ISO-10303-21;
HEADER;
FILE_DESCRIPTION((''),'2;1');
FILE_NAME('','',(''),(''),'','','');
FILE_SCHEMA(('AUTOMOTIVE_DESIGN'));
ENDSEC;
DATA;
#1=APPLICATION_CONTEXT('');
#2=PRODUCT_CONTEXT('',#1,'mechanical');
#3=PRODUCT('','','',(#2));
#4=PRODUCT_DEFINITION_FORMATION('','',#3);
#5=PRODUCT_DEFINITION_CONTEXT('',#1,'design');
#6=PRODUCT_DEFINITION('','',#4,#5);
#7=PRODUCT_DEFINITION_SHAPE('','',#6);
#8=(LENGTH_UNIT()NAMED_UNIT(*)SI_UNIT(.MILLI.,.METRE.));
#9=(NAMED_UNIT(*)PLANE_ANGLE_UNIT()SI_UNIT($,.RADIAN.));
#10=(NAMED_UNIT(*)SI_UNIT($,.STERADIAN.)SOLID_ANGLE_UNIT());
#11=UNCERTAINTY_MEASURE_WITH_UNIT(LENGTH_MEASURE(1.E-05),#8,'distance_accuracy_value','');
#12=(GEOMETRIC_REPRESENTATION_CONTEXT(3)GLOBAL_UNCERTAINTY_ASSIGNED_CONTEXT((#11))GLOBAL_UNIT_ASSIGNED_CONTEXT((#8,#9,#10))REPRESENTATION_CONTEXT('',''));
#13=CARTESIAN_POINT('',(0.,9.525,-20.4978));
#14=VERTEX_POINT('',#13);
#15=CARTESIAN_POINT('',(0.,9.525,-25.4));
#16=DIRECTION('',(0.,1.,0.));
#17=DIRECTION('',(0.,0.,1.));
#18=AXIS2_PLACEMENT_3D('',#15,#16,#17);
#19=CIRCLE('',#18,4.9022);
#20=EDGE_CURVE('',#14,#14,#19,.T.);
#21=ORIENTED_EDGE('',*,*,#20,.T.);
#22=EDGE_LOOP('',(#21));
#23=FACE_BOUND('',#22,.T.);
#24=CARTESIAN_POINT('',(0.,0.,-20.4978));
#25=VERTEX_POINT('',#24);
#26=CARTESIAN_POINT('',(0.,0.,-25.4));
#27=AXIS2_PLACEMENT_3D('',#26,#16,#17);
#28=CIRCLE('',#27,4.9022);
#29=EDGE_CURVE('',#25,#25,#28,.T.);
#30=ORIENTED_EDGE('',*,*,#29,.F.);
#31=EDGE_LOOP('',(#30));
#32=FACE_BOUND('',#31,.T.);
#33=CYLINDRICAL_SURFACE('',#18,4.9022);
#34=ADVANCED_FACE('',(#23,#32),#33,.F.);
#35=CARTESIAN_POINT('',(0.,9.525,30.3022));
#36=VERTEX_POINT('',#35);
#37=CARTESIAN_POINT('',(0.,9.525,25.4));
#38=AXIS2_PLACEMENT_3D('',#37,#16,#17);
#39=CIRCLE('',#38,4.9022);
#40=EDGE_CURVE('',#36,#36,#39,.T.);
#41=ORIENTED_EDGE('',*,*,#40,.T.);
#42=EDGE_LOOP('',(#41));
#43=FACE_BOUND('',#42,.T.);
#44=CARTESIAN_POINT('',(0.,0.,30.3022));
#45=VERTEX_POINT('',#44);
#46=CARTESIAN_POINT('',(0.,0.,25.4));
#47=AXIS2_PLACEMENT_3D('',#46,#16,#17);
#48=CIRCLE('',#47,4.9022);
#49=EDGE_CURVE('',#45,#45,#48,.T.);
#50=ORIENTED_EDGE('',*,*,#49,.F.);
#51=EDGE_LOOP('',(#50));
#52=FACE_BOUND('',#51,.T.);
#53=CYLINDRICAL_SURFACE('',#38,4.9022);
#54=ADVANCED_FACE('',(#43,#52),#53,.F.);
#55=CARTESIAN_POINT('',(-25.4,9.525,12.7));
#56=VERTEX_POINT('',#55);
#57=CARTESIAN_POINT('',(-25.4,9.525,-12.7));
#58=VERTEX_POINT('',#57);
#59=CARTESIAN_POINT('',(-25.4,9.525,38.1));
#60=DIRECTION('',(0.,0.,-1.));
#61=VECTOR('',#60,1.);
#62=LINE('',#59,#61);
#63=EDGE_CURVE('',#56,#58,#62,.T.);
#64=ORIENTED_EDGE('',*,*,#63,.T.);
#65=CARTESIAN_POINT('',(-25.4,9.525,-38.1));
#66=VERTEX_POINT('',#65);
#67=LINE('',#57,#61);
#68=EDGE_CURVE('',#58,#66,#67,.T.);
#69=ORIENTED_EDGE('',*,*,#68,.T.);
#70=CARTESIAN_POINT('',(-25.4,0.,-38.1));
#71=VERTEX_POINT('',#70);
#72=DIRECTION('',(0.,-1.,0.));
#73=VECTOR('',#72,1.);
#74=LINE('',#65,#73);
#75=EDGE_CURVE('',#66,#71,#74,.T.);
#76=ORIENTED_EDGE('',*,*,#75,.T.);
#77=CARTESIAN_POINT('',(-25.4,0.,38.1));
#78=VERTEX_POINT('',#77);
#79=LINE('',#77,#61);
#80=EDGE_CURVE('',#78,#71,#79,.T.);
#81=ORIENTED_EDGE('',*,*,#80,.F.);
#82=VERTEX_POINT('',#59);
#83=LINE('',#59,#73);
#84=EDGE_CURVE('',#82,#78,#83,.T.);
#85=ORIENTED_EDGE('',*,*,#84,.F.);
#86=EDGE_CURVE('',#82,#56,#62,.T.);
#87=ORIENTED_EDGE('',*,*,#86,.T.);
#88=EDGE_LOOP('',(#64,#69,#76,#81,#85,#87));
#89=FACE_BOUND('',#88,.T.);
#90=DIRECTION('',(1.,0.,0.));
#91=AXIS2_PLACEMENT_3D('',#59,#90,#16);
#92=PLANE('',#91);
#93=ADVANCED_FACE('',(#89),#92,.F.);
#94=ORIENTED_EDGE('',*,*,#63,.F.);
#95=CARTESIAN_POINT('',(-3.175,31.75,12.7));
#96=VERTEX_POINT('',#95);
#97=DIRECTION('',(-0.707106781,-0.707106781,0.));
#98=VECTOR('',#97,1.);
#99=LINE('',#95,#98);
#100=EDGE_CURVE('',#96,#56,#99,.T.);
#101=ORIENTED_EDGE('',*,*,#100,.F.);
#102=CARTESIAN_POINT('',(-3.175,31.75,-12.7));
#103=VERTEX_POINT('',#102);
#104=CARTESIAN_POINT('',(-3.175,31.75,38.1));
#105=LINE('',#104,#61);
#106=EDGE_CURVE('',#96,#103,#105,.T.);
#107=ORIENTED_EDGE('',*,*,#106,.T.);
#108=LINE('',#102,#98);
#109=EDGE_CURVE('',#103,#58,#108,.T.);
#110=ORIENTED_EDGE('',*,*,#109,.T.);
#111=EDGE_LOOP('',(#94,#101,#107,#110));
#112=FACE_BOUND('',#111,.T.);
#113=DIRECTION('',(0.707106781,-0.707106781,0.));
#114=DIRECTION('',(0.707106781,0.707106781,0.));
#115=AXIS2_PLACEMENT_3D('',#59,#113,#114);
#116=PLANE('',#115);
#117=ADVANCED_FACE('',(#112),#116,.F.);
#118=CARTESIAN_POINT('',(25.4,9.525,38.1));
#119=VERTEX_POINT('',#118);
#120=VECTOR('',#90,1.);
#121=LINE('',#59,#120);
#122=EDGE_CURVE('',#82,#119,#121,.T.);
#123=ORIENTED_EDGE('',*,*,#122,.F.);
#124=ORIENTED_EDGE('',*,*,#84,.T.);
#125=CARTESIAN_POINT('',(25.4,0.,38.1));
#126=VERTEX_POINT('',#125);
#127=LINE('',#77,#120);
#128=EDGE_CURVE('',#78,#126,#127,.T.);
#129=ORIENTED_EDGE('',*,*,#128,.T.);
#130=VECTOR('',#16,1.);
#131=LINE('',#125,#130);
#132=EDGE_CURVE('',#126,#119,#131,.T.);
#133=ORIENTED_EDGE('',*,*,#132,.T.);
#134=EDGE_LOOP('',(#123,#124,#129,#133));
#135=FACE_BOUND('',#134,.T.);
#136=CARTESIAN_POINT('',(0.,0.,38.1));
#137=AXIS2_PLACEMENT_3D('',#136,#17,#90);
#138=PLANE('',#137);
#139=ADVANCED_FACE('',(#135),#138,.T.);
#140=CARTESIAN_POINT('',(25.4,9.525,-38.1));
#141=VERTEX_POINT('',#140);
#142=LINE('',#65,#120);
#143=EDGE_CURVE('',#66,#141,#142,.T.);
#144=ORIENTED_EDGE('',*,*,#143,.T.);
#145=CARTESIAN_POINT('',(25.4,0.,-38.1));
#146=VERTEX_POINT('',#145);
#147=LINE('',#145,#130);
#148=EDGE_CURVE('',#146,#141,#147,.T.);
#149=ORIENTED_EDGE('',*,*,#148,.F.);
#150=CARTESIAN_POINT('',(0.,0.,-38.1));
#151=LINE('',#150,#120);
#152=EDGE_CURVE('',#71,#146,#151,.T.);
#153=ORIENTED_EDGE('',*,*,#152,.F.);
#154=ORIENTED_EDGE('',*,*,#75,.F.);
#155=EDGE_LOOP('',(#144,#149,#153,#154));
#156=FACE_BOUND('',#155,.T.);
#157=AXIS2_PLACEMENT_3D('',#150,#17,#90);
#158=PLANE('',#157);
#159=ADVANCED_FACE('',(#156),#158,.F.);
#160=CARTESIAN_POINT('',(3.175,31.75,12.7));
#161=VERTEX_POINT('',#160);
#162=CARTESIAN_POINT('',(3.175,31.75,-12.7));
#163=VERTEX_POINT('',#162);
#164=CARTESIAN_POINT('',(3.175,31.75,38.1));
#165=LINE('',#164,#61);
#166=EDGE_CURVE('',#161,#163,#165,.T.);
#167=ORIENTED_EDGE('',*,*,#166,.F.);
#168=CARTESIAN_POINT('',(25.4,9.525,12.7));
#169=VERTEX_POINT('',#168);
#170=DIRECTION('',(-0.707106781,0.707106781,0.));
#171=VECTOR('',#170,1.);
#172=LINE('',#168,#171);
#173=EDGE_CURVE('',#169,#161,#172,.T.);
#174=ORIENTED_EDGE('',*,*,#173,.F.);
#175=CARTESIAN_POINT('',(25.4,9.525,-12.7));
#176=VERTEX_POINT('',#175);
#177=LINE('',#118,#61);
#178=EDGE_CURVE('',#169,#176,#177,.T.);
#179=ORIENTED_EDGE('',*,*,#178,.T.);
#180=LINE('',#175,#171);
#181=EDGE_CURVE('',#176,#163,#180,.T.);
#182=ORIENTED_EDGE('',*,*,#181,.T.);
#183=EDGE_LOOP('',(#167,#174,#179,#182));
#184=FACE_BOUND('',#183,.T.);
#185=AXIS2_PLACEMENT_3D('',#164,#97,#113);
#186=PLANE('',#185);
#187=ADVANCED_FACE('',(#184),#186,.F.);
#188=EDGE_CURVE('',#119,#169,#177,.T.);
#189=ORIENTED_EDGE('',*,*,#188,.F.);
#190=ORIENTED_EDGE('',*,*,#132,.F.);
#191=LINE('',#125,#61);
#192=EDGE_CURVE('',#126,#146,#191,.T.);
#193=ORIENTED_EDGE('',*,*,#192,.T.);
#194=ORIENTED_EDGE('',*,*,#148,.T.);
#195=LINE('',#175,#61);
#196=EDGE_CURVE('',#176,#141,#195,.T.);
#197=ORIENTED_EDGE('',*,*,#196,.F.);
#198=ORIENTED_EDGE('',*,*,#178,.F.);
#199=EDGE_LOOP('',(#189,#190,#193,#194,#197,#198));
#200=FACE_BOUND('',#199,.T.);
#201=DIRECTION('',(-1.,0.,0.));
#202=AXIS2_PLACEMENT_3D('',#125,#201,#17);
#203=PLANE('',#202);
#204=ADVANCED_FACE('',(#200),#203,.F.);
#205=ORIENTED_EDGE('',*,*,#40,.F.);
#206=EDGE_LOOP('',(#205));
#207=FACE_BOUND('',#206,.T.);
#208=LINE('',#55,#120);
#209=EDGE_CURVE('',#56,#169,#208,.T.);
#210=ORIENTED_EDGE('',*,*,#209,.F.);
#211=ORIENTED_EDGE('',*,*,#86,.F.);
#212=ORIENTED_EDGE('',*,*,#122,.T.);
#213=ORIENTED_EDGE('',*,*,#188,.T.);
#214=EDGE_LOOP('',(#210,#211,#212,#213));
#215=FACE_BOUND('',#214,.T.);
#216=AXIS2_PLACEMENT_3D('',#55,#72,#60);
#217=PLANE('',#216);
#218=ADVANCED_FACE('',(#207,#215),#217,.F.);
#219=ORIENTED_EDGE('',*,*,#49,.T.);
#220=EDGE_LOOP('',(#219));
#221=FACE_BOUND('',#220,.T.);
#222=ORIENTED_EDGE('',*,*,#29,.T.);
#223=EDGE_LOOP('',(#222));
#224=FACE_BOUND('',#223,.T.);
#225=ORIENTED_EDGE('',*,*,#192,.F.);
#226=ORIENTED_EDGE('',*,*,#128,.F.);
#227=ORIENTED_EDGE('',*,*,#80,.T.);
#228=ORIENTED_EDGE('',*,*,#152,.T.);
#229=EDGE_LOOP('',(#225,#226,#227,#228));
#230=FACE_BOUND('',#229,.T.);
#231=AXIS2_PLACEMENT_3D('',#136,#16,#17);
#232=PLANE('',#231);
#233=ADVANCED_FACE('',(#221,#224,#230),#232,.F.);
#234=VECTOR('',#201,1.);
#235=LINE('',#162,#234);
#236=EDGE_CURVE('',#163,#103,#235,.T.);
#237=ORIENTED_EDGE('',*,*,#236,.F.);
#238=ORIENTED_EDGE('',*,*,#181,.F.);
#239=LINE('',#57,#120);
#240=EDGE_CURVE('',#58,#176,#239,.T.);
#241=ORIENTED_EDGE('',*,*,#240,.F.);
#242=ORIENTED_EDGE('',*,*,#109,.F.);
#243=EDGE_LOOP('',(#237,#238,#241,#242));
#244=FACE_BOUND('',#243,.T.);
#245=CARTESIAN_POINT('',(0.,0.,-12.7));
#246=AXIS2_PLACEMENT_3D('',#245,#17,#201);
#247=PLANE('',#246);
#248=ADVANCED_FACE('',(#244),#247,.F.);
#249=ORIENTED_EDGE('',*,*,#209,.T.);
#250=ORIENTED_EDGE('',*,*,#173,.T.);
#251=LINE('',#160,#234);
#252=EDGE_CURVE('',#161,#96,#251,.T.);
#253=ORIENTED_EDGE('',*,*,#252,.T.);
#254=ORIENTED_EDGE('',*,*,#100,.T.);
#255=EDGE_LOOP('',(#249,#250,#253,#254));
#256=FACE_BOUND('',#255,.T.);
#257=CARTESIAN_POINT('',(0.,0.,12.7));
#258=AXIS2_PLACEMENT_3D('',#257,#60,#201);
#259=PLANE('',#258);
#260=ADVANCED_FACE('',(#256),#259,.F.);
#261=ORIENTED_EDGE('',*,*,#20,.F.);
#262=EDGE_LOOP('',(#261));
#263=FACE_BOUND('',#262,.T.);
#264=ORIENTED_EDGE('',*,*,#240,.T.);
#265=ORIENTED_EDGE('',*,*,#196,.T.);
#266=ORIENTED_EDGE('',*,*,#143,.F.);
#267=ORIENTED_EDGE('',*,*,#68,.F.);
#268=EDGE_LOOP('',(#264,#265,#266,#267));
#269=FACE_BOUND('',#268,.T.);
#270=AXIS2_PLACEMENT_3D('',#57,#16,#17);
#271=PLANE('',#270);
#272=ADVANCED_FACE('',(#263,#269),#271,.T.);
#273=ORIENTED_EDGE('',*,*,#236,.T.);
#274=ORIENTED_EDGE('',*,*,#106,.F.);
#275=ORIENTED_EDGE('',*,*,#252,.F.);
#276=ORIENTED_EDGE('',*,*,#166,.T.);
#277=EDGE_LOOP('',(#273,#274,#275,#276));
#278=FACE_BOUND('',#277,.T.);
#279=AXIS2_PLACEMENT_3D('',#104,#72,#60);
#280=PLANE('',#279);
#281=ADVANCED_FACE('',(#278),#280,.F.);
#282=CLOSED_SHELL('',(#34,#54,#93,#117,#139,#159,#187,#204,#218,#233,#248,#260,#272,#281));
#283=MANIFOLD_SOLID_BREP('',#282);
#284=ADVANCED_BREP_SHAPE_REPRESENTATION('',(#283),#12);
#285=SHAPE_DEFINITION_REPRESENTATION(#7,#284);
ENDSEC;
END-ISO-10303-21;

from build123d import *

# Parameters (mm, degrees)
BOSS_EXTRUDE1_DEPTH     = 38.1
CUT_EXTRUDE2_DEPTH      = 25.4
F_3_8_CLEARANCE_HOLE2_D = 9.8044


with BuildPart() as part:
    # Sketch1 → Boss-Extrude1 (new, symmetric)
    with BuildSketch(Plane.XY):
        Polygon((0, 0), (25.4, 0), (25.4, 9.525), (3.175, 31.75), (-3.175, 31.75), (-25.4, 9.525), (-25.4, 0), align=None)
    extrude(amount=BOSS_EXTRUDE1_DEPTH, both=True)

    # Sketch6 → Cut-Extrude2 (cut)
    with BuildSketch(Plane.XY.offset(38.1)):
        Polygon((-25.4, 9.525), (25.4, 9.525), (3.175, 31.75), (-3.175, 31.75), align=None)
    cut_extrude2 = extrude(amount=-CUT_EXTRUDE2_DEPTH, mode=Mode.SUBTRACT)

    # 3/8 Clearance Hole2 (through all)
    with Locations(Plane(origin=(0, 9.525, 0), x_dir=(1, 0, 0), z_dir=(0, 1, 0))):
        with Locations((0, -25.4)):
            f_3_8_clearance_hole2 = Hole(F_3_8_CLEARANCE_HOLE2_D / 2)

    # Mirror2: Cut-Extrude2, 3/8 Clearance Hole2 across plane
    add(cut_extrude2.mirror(Plane.XY), mode=Mode.SUBTRACT)
    add(f_3_8_clearance_hole2.mirror(Plane.XY), mode=Mode.SUBTRACT)


solid = part.part
